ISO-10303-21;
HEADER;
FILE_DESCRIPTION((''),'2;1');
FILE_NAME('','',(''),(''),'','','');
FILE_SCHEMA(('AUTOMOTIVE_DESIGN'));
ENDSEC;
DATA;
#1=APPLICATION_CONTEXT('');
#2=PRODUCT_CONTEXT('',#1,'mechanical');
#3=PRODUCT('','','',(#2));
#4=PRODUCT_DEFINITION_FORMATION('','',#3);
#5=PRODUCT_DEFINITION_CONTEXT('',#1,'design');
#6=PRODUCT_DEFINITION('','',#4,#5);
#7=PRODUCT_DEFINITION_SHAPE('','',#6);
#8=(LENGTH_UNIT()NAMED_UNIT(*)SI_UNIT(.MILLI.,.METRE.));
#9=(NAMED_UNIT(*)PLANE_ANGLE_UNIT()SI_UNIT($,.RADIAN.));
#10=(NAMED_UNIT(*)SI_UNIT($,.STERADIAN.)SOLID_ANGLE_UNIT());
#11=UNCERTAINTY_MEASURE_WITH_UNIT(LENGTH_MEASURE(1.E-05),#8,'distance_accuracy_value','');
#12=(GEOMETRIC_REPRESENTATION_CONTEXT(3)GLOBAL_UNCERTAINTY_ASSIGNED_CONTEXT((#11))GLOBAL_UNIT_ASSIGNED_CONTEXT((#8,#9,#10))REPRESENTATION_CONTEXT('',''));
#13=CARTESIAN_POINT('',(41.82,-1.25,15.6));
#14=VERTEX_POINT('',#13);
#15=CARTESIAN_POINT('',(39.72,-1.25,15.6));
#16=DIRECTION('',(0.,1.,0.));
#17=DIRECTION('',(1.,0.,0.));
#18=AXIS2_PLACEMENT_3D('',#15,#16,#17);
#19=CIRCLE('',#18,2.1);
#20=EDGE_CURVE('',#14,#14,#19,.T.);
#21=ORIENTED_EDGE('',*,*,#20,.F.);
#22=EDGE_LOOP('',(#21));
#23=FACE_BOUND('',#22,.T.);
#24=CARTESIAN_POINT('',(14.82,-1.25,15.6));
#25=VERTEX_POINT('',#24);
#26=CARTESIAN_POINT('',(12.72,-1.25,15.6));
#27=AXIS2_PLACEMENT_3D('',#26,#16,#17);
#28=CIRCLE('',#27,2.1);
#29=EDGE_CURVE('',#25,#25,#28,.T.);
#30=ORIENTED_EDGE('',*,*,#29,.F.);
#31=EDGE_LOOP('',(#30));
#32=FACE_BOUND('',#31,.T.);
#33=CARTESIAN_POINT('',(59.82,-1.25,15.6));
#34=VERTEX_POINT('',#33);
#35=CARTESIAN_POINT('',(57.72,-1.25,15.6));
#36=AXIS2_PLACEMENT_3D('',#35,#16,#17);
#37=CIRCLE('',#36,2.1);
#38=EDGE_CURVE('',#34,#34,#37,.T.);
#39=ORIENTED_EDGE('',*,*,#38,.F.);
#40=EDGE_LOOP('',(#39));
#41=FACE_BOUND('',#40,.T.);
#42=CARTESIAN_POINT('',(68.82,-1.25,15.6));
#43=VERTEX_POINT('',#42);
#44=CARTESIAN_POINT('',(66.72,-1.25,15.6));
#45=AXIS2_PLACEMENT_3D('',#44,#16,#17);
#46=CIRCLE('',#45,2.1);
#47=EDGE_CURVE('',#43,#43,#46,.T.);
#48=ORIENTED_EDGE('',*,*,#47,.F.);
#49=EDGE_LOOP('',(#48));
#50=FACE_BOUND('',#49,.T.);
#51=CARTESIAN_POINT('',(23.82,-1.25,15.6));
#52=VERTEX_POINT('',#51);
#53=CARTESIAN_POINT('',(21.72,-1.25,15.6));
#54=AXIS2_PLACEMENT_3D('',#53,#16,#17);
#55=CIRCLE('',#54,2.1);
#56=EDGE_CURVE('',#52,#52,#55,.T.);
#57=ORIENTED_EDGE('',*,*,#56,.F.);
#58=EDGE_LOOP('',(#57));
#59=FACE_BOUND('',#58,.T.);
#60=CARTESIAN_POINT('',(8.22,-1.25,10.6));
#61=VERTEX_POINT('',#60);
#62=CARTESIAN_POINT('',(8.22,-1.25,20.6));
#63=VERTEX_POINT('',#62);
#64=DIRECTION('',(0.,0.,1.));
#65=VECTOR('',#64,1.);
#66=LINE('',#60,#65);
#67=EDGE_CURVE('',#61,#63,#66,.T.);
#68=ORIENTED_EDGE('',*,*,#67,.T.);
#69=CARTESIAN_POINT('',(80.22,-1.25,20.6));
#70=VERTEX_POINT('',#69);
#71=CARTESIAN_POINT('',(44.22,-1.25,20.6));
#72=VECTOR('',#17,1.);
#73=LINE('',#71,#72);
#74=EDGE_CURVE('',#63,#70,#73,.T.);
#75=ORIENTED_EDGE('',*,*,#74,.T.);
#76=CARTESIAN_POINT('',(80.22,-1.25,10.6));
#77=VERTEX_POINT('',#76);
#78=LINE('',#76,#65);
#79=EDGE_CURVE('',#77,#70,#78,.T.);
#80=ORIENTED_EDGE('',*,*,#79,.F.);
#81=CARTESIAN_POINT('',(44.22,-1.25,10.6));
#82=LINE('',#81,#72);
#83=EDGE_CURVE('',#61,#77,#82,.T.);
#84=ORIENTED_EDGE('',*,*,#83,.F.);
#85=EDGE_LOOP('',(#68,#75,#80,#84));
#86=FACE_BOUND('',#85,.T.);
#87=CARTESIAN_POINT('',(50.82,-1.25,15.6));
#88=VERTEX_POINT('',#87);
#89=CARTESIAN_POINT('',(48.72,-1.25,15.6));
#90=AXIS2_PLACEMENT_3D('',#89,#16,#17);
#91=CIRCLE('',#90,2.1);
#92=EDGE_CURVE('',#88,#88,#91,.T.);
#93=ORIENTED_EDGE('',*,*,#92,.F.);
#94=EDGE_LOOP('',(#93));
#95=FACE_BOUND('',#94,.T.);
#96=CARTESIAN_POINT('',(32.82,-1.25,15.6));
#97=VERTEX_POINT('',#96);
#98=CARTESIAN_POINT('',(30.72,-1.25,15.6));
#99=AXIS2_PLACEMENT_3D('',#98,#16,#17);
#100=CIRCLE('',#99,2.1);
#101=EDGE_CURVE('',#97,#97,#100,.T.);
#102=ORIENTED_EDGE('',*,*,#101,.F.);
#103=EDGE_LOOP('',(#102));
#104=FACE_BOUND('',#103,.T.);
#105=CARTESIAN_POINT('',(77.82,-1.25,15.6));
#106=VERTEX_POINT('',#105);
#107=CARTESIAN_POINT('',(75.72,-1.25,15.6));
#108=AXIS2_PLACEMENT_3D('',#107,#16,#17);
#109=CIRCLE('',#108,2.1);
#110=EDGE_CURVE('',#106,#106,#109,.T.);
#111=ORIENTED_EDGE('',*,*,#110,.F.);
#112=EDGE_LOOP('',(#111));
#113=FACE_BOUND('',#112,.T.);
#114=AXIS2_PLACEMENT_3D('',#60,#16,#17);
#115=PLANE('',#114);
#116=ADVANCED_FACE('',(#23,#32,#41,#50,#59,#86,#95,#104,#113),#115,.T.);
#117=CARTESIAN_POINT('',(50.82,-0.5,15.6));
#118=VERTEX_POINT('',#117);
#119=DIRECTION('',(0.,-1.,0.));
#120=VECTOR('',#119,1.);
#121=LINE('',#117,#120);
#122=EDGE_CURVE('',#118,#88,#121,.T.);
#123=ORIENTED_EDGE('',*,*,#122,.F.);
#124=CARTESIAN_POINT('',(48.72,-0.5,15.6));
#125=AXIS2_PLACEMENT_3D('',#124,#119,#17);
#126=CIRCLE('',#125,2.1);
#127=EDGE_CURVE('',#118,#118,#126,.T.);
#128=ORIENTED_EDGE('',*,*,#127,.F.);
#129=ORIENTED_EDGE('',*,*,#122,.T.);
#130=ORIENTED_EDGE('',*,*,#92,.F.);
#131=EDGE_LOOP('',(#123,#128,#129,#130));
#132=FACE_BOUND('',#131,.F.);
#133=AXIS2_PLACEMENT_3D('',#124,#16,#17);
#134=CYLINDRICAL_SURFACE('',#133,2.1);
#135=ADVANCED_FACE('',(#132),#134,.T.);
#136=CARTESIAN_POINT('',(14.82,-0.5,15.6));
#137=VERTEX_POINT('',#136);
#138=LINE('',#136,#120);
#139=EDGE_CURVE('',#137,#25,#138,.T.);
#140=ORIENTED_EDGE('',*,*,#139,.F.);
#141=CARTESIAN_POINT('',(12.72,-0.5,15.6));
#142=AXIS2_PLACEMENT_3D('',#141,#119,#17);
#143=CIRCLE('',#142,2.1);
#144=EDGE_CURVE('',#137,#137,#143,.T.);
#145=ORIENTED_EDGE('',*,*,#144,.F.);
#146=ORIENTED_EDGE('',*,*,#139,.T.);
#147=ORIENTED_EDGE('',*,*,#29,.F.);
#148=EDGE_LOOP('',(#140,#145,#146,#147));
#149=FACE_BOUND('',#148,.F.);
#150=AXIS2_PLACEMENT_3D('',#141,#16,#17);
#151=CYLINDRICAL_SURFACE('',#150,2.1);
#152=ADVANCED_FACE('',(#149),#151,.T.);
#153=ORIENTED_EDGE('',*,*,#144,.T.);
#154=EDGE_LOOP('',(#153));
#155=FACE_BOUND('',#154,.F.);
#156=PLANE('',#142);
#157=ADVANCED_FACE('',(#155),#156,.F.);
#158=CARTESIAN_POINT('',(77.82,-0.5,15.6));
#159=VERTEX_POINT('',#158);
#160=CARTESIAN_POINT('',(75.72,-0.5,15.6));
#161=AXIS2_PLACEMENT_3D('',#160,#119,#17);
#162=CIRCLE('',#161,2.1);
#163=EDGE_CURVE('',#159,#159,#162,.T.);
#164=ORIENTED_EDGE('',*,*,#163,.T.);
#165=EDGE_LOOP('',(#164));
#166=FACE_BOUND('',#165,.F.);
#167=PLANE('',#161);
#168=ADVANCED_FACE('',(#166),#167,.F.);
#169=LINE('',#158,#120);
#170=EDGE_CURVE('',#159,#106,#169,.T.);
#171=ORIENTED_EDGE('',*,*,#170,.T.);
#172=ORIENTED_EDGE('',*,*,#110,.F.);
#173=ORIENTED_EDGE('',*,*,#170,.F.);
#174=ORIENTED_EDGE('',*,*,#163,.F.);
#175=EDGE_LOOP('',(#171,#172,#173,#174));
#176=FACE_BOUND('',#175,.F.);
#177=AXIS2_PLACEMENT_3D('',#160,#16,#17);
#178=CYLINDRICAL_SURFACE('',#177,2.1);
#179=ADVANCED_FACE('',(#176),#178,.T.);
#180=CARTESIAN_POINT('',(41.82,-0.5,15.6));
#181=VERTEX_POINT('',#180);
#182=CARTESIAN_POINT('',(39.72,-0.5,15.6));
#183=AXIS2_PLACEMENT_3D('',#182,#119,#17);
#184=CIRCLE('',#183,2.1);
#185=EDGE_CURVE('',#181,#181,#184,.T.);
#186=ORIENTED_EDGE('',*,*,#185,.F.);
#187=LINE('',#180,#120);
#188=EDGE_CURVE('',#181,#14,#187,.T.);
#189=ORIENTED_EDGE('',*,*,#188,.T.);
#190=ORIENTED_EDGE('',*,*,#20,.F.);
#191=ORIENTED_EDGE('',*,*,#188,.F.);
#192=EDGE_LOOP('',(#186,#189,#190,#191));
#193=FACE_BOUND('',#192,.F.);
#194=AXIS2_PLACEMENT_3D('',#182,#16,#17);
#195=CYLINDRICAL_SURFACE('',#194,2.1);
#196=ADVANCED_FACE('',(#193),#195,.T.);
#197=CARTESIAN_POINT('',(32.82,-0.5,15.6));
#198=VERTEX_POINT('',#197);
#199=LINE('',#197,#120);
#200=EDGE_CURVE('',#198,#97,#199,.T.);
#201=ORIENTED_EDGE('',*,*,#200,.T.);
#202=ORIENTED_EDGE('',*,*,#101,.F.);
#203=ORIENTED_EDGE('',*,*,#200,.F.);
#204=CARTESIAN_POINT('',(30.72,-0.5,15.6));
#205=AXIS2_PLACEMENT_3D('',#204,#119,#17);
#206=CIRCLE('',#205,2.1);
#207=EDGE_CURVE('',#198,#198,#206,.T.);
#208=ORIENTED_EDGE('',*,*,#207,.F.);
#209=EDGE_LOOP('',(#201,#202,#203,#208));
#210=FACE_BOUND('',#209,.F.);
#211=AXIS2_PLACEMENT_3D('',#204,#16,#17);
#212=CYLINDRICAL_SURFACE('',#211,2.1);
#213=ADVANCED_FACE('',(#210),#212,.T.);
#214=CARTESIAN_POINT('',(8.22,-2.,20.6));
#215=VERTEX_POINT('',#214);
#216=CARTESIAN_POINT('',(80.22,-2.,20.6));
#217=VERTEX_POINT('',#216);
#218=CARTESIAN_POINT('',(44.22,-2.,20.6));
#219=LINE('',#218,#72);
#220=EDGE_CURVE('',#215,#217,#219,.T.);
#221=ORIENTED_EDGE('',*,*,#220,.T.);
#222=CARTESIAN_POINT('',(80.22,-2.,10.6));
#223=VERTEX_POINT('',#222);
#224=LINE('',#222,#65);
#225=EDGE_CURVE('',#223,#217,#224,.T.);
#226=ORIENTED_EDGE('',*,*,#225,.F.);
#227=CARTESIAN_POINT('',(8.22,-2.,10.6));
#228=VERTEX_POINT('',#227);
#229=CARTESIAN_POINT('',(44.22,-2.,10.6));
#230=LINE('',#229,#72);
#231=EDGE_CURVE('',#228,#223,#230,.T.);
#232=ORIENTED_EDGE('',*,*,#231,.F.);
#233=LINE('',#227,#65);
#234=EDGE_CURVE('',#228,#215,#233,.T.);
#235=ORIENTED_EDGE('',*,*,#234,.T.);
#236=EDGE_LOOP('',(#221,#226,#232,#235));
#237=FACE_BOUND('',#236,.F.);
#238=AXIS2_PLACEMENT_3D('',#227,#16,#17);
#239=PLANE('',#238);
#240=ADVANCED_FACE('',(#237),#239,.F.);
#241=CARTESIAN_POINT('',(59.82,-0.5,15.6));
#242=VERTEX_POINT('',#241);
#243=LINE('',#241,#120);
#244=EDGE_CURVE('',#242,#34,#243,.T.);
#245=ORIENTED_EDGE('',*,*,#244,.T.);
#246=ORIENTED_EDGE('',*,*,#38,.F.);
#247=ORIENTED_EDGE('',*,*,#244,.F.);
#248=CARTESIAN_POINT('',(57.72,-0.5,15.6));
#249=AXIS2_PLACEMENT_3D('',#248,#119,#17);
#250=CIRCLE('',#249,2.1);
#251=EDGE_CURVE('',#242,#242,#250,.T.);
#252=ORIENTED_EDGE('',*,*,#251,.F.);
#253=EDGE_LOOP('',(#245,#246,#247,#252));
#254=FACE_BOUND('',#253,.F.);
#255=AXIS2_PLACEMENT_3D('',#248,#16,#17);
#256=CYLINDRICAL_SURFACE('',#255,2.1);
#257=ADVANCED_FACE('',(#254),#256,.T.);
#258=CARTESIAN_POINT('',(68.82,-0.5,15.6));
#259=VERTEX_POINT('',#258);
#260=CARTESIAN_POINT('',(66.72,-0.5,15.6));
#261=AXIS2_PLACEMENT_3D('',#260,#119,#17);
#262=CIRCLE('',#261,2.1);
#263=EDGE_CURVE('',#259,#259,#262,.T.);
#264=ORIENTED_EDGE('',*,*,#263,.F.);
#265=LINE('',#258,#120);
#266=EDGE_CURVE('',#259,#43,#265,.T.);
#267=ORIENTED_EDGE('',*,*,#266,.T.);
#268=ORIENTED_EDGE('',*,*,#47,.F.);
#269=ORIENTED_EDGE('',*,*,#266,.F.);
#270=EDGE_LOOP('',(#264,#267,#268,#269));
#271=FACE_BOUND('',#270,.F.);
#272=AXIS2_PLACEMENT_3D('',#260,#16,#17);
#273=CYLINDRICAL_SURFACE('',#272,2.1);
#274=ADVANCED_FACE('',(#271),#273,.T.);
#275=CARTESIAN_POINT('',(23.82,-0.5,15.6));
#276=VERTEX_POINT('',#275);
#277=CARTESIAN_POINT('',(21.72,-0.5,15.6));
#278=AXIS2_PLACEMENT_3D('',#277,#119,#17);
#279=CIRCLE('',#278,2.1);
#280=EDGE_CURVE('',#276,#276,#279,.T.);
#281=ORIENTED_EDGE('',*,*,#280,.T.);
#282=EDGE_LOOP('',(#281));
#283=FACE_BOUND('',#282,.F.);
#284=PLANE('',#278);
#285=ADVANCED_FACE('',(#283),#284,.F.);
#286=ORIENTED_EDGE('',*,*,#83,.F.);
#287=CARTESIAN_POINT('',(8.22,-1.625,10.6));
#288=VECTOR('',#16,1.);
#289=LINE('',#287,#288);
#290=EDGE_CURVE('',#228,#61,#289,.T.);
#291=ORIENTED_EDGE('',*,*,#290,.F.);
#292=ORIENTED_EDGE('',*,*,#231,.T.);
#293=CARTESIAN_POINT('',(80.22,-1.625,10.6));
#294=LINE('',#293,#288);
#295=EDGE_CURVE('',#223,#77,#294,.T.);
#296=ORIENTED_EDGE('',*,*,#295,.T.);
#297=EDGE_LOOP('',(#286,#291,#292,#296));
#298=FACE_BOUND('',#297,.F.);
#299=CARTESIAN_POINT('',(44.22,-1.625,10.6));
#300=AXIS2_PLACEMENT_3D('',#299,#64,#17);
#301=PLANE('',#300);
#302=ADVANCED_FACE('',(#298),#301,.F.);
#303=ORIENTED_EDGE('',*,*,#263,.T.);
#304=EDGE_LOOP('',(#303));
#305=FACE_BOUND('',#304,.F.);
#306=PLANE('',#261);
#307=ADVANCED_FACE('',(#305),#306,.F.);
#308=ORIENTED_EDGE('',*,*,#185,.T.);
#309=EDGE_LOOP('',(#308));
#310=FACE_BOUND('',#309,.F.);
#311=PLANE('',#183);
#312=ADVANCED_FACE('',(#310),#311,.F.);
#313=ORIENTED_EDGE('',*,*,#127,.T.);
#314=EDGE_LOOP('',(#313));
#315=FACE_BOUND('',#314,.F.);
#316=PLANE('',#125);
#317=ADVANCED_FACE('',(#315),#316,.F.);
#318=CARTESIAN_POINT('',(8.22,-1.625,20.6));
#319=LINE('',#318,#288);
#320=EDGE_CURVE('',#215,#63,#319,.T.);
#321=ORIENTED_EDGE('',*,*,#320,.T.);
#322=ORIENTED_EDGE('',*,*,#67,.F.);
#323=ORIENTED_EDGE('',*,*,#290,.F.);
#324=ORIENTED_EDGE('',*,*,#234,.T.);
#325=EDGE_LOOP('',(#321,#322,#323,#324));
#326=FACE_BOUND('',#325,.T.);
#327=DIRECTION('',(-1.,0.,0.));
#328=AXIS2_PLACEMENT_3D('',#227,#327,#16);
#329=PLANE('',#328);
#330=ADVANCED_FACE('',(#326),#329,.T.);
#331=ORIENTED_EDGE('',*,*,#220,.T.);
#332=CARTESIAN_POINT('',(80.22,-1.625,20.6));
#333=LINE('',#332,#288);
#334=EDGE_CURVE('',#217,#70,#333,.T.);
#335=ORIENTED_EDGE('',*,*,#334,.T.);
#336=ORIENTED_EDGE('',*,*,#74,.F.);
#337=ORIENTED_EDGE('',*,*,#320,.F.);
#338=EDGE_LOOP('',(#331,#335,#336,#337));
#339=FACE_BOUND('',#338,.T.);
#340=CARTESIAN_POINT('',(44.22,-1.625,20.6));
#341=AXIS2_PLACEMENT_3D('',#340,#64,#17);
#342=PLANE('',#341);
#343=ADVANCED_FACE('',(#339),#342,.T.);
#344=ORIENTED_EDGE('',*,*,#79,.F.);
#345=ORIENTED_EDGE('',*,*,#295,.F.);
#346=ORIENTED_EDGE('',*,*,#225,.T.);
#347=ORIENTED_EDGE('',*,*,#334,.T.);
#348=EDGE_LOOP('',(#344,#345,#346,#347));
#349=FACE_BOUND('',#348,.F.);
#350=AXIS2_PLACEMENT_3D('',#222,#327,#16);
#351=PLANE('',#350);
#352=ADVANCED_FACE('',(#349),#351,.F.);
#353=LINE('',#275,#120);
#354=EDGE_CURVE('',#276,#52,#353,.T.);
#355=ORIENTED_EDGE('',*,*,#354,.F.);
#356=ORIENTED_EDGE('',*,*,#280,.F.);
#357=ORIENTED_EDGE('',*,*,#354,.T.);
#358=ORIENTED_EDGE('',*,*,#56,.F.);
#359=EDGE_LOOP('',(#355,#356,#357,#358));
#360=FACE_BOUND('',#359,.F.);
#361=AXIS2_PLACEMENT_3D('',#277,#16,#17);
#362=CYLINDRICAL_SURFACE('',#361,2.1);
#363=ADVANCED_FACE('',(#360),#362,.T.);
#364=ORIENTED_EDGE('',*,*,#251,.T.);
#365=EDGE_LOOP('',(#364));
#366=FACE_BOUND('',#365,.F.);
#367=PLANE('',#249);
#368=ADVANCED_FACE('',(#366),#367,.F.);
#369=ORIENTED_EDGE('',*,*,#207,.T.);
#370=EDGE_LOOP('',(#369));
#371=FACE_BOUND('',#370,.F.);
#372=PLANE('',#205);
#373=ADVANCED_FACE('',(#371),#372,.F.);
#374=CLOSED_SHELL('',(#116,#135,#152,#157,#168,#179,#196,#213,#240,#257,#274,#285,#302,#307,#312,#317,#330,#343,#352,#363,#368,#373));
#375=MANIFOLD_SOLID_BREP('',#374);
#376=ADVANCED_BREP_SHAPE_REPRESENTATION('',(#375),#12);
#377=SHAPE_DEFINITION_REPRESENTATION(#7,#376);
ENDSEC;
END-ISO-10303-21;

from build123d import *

# Parameters (mm, degrees)
CYLINDER010_R          = 2.1
CYLINDER010_DEPTH      = 1.5
CYLINDER010_ROLL_ANGLE = 90
CYLINDER008_R          = 2.1
CYLINDER008_DEPTH      = 1.5
CYLINDER008_ROLL_ANGLE = 90
CYLINDER011_R          = 2.1
CYLINDER011_DEPTH      = 1.5
CYLINDER011_ROLL_ANGLE = 90
CYLINDER013_R          = 2.1
CYLINDER013_DEPTH      = 1.5
CYLINDER013_ROLL_ANGLE = 90
CYLINDER012_R          = 2.1
CYLINDER012_DEPTH      = 1.5
CYLINDER012_ROLL_ANGLE = 90
CYLINDER014_R          = 2.1
CYLINDER014_DEPTH      = 1.5
CYLINDER014_ROLL_ANGLE = 90
CYLINDER009_R          = 2.1
CYLINDER009_DEPTH      = 1.5
CYLINDER009_ROLL_ANGLE = 90
CYLINDER_R             = 2.1
CYLINDER_DEPTH         = 1.5
CYLINDER_ROLL_ANGLE    = 90
BOX006_W               = 72
BOX006_H               = 0.75
BOX006_DEPTH           = 10


with BuildPart() as cylinder004:
    # Cylinder010 → Cylinder010 (new body)
    with BuildSketch(Plane.XY):
        Circle(CYLINDER010_R)
    extrude(amount=CYLINDER010_DEPTH)


with BuildPart() as cylinder004_1:
    # Cylinder010 roll: moved
    add(cylinder004.part.rotate(Axis((0, 0, 0), (1, 0, 0)), CYLINDER010_ROLL_ANGLE))


with BuildPart() as cylinder004_2:
    # Cylinder010 placement: moved
    add(cylinder004_1.part.moved(Location((39.72, -0.5, 15.6))))


with BuildPart() as cylinder002:
    # Cylinder008 → Cylinder008 (new body)
    with BuildSketch(Plane.XY):
        Circle(CYLINDER008_R)
    extrude(amount=CYLINDER008_DEPTH)


with BuildPart() as cylinder002_1:
    # Cylinder008 roll: moved
    add(cylinder002.part.rotate(Axis((0, 0, 0), (1, 0, 0)), CYLINDER008_ROLL_ANGLE))


with BuildPart() as cylinder002_2:
    # Cylinder008 placement: moved
    add(cylinder002_1.part.moved(Location((21.72, -0.5, 15.6))))


with BuildPart() as cylinder005:
    # Cylinder011 → Cylinder011 (new body)
    with BuildSketch(Plane.XY):
        Circle(CYLINDER011_R)
    extrude(amount=CYLINDER011_DEPTH)


with BuildPart() as cylinder005_1:
    # Cylinder011 roll: moved
    add(cylinder005.part.rotate(Axis((0, 0, 0), (1, 0, 0)), CYLINDER011_ROLL_ANGLE))


with BuildPart() as cylinder005_2:
    # Cylinder011 placement: moved
    add(cylinder005_1.part.moved(Location((48.72, -0.5, 15.6))))


with BuildPart() as cylinder007:
    # Cylinder013 → Cylinder013 (new body)
    with BuildSketch(Plane.XY):
        Circle(CYLINDER013_R)
    extrude(amount=CYLINDER013_DEPTH)


with BuildPart() as cylinder007_1:
    # Cylinder013 roll: moved
    add(cylinder007.part.rotate(Axis((0, 0, 0), (1, 0, 0)), CYLINDER013_ROLL_ANGLE))


with BuildPart() as cylinder007_2:
    # Cylinder013 placement: moved
    add(cylinder007_1.part.moved(Location((66.72, -0.5, 15.6))))


with BuildPart() as cylinder006:
    # Cylinder012 → Cylinder012 (new body)
    with BuildSketch(Plane.XY):
        Circle(CYLINDER012_R)
    extrude(amount=CYLINDER012_DEPTH)


with BuildPart() as cylinder006_1:
    # Cylinder012 roll: moved
    add(cylinder006.part.rotate(Axis((0, 0, 0), (1, 0, 0)), CYLINDER012_ROLL_ANGLE))


with BuildPart() as cylinder006_2:
    # Cylinder012 placement: moved
    add(cylinder006_1.part.moved(Location((57.72, -0.5, 15.6))))


with BuildPart() as cylinder008:
    # Cylinder014 → Cylinder014 (new body)
    with BuildSketch(Plane.XY):
        Circle(CYLINDER014_R)
    extrude(amount=CYLINDER014_DEPTH)


with BuildPart() as cylinder008_1:
    # Cylinder014 roll: moved
    add(cylinder008.part.rotate(Axis((0, 0, 0), (1, 0, 0)), CYLINDER014_ROLL_ANGLE))


with BuildPart() as cylinder008_2:
    # Cylinder014 placement: moved
    add(cylinder008_1.part.moved(Location((75.72, -0.5, 15.6))))


with BuildPart() as cylinder003:
    # Cylinder009 → Cylinder009 (new body)
    with BuildSketch(Plane.XY):
        Circle(CYLINDER009_R)
    extrude(amount=CYLINDER009_DEPTH)


with BuildPart() as cylinder003_1:
    # Cylinder009 roll: moved
    add(cylinder003.part.rotate(Axis((0, 0, 0), (1, 0, 0)), CYLINDER009_ROLL_ANGLE))


with BuildPart() as cylinder003_2:
    # Cylinder009 placement: moved
    add(cylinder003_1.part.moved(Location((30.72, -0.5, 15.6))))


with BuildPart() as cylinder001:
    # Cylinder → Cylinder (new body)
    with BuildSketch(Plane.XY):
        Circle(CYLINDER_R)
    extrude(amount=CYLINDER_DEPTH)


with BuildPart() as cylinder001_1:
    # Cylinder roll: moved
    add(cylinder001.part.rotate(Axis((0, 0, 0), (1, 0, 0)), CYLINDER_ROLL_ANGLE))


with BuildPart() as cylinder001_2:
    # Cylinder placement: moved
    add(cylinder001_1.part.moved(Location((12.72, -0.5, 15.6))))


with BuildPart() as fusion003005009011:
    # Box006 → Box006 (new body)
    with BuildSketch(Plane(origin=(8.22, -2, 10.6), x_dir=(1, 0, 0), z_dir=(0, 0, 1))):
        with Locations((36, 0.375)):
            Rectangle(BOX006_W, BOX006_H)
    extrude(amount=BOX006_DEPTH)

    # Fusion003005009011: union Cylinder004, Cylinder002, Cylinder005, Cylinder007, Cylinder006, Cylinder008, Cylinder003, Cylinder001
    add(cylinder004_2.part)
    add(cylinder002_2.part)
    add(cylinder005_2.part)
    add(cylinder007_2.part)
    add(cylinder006_2.part)
    add(cylinder008_2.part)
    add(cylinder003_2.part)
    add(cylinder001_2.part)


solid = fusion003005009011.part
